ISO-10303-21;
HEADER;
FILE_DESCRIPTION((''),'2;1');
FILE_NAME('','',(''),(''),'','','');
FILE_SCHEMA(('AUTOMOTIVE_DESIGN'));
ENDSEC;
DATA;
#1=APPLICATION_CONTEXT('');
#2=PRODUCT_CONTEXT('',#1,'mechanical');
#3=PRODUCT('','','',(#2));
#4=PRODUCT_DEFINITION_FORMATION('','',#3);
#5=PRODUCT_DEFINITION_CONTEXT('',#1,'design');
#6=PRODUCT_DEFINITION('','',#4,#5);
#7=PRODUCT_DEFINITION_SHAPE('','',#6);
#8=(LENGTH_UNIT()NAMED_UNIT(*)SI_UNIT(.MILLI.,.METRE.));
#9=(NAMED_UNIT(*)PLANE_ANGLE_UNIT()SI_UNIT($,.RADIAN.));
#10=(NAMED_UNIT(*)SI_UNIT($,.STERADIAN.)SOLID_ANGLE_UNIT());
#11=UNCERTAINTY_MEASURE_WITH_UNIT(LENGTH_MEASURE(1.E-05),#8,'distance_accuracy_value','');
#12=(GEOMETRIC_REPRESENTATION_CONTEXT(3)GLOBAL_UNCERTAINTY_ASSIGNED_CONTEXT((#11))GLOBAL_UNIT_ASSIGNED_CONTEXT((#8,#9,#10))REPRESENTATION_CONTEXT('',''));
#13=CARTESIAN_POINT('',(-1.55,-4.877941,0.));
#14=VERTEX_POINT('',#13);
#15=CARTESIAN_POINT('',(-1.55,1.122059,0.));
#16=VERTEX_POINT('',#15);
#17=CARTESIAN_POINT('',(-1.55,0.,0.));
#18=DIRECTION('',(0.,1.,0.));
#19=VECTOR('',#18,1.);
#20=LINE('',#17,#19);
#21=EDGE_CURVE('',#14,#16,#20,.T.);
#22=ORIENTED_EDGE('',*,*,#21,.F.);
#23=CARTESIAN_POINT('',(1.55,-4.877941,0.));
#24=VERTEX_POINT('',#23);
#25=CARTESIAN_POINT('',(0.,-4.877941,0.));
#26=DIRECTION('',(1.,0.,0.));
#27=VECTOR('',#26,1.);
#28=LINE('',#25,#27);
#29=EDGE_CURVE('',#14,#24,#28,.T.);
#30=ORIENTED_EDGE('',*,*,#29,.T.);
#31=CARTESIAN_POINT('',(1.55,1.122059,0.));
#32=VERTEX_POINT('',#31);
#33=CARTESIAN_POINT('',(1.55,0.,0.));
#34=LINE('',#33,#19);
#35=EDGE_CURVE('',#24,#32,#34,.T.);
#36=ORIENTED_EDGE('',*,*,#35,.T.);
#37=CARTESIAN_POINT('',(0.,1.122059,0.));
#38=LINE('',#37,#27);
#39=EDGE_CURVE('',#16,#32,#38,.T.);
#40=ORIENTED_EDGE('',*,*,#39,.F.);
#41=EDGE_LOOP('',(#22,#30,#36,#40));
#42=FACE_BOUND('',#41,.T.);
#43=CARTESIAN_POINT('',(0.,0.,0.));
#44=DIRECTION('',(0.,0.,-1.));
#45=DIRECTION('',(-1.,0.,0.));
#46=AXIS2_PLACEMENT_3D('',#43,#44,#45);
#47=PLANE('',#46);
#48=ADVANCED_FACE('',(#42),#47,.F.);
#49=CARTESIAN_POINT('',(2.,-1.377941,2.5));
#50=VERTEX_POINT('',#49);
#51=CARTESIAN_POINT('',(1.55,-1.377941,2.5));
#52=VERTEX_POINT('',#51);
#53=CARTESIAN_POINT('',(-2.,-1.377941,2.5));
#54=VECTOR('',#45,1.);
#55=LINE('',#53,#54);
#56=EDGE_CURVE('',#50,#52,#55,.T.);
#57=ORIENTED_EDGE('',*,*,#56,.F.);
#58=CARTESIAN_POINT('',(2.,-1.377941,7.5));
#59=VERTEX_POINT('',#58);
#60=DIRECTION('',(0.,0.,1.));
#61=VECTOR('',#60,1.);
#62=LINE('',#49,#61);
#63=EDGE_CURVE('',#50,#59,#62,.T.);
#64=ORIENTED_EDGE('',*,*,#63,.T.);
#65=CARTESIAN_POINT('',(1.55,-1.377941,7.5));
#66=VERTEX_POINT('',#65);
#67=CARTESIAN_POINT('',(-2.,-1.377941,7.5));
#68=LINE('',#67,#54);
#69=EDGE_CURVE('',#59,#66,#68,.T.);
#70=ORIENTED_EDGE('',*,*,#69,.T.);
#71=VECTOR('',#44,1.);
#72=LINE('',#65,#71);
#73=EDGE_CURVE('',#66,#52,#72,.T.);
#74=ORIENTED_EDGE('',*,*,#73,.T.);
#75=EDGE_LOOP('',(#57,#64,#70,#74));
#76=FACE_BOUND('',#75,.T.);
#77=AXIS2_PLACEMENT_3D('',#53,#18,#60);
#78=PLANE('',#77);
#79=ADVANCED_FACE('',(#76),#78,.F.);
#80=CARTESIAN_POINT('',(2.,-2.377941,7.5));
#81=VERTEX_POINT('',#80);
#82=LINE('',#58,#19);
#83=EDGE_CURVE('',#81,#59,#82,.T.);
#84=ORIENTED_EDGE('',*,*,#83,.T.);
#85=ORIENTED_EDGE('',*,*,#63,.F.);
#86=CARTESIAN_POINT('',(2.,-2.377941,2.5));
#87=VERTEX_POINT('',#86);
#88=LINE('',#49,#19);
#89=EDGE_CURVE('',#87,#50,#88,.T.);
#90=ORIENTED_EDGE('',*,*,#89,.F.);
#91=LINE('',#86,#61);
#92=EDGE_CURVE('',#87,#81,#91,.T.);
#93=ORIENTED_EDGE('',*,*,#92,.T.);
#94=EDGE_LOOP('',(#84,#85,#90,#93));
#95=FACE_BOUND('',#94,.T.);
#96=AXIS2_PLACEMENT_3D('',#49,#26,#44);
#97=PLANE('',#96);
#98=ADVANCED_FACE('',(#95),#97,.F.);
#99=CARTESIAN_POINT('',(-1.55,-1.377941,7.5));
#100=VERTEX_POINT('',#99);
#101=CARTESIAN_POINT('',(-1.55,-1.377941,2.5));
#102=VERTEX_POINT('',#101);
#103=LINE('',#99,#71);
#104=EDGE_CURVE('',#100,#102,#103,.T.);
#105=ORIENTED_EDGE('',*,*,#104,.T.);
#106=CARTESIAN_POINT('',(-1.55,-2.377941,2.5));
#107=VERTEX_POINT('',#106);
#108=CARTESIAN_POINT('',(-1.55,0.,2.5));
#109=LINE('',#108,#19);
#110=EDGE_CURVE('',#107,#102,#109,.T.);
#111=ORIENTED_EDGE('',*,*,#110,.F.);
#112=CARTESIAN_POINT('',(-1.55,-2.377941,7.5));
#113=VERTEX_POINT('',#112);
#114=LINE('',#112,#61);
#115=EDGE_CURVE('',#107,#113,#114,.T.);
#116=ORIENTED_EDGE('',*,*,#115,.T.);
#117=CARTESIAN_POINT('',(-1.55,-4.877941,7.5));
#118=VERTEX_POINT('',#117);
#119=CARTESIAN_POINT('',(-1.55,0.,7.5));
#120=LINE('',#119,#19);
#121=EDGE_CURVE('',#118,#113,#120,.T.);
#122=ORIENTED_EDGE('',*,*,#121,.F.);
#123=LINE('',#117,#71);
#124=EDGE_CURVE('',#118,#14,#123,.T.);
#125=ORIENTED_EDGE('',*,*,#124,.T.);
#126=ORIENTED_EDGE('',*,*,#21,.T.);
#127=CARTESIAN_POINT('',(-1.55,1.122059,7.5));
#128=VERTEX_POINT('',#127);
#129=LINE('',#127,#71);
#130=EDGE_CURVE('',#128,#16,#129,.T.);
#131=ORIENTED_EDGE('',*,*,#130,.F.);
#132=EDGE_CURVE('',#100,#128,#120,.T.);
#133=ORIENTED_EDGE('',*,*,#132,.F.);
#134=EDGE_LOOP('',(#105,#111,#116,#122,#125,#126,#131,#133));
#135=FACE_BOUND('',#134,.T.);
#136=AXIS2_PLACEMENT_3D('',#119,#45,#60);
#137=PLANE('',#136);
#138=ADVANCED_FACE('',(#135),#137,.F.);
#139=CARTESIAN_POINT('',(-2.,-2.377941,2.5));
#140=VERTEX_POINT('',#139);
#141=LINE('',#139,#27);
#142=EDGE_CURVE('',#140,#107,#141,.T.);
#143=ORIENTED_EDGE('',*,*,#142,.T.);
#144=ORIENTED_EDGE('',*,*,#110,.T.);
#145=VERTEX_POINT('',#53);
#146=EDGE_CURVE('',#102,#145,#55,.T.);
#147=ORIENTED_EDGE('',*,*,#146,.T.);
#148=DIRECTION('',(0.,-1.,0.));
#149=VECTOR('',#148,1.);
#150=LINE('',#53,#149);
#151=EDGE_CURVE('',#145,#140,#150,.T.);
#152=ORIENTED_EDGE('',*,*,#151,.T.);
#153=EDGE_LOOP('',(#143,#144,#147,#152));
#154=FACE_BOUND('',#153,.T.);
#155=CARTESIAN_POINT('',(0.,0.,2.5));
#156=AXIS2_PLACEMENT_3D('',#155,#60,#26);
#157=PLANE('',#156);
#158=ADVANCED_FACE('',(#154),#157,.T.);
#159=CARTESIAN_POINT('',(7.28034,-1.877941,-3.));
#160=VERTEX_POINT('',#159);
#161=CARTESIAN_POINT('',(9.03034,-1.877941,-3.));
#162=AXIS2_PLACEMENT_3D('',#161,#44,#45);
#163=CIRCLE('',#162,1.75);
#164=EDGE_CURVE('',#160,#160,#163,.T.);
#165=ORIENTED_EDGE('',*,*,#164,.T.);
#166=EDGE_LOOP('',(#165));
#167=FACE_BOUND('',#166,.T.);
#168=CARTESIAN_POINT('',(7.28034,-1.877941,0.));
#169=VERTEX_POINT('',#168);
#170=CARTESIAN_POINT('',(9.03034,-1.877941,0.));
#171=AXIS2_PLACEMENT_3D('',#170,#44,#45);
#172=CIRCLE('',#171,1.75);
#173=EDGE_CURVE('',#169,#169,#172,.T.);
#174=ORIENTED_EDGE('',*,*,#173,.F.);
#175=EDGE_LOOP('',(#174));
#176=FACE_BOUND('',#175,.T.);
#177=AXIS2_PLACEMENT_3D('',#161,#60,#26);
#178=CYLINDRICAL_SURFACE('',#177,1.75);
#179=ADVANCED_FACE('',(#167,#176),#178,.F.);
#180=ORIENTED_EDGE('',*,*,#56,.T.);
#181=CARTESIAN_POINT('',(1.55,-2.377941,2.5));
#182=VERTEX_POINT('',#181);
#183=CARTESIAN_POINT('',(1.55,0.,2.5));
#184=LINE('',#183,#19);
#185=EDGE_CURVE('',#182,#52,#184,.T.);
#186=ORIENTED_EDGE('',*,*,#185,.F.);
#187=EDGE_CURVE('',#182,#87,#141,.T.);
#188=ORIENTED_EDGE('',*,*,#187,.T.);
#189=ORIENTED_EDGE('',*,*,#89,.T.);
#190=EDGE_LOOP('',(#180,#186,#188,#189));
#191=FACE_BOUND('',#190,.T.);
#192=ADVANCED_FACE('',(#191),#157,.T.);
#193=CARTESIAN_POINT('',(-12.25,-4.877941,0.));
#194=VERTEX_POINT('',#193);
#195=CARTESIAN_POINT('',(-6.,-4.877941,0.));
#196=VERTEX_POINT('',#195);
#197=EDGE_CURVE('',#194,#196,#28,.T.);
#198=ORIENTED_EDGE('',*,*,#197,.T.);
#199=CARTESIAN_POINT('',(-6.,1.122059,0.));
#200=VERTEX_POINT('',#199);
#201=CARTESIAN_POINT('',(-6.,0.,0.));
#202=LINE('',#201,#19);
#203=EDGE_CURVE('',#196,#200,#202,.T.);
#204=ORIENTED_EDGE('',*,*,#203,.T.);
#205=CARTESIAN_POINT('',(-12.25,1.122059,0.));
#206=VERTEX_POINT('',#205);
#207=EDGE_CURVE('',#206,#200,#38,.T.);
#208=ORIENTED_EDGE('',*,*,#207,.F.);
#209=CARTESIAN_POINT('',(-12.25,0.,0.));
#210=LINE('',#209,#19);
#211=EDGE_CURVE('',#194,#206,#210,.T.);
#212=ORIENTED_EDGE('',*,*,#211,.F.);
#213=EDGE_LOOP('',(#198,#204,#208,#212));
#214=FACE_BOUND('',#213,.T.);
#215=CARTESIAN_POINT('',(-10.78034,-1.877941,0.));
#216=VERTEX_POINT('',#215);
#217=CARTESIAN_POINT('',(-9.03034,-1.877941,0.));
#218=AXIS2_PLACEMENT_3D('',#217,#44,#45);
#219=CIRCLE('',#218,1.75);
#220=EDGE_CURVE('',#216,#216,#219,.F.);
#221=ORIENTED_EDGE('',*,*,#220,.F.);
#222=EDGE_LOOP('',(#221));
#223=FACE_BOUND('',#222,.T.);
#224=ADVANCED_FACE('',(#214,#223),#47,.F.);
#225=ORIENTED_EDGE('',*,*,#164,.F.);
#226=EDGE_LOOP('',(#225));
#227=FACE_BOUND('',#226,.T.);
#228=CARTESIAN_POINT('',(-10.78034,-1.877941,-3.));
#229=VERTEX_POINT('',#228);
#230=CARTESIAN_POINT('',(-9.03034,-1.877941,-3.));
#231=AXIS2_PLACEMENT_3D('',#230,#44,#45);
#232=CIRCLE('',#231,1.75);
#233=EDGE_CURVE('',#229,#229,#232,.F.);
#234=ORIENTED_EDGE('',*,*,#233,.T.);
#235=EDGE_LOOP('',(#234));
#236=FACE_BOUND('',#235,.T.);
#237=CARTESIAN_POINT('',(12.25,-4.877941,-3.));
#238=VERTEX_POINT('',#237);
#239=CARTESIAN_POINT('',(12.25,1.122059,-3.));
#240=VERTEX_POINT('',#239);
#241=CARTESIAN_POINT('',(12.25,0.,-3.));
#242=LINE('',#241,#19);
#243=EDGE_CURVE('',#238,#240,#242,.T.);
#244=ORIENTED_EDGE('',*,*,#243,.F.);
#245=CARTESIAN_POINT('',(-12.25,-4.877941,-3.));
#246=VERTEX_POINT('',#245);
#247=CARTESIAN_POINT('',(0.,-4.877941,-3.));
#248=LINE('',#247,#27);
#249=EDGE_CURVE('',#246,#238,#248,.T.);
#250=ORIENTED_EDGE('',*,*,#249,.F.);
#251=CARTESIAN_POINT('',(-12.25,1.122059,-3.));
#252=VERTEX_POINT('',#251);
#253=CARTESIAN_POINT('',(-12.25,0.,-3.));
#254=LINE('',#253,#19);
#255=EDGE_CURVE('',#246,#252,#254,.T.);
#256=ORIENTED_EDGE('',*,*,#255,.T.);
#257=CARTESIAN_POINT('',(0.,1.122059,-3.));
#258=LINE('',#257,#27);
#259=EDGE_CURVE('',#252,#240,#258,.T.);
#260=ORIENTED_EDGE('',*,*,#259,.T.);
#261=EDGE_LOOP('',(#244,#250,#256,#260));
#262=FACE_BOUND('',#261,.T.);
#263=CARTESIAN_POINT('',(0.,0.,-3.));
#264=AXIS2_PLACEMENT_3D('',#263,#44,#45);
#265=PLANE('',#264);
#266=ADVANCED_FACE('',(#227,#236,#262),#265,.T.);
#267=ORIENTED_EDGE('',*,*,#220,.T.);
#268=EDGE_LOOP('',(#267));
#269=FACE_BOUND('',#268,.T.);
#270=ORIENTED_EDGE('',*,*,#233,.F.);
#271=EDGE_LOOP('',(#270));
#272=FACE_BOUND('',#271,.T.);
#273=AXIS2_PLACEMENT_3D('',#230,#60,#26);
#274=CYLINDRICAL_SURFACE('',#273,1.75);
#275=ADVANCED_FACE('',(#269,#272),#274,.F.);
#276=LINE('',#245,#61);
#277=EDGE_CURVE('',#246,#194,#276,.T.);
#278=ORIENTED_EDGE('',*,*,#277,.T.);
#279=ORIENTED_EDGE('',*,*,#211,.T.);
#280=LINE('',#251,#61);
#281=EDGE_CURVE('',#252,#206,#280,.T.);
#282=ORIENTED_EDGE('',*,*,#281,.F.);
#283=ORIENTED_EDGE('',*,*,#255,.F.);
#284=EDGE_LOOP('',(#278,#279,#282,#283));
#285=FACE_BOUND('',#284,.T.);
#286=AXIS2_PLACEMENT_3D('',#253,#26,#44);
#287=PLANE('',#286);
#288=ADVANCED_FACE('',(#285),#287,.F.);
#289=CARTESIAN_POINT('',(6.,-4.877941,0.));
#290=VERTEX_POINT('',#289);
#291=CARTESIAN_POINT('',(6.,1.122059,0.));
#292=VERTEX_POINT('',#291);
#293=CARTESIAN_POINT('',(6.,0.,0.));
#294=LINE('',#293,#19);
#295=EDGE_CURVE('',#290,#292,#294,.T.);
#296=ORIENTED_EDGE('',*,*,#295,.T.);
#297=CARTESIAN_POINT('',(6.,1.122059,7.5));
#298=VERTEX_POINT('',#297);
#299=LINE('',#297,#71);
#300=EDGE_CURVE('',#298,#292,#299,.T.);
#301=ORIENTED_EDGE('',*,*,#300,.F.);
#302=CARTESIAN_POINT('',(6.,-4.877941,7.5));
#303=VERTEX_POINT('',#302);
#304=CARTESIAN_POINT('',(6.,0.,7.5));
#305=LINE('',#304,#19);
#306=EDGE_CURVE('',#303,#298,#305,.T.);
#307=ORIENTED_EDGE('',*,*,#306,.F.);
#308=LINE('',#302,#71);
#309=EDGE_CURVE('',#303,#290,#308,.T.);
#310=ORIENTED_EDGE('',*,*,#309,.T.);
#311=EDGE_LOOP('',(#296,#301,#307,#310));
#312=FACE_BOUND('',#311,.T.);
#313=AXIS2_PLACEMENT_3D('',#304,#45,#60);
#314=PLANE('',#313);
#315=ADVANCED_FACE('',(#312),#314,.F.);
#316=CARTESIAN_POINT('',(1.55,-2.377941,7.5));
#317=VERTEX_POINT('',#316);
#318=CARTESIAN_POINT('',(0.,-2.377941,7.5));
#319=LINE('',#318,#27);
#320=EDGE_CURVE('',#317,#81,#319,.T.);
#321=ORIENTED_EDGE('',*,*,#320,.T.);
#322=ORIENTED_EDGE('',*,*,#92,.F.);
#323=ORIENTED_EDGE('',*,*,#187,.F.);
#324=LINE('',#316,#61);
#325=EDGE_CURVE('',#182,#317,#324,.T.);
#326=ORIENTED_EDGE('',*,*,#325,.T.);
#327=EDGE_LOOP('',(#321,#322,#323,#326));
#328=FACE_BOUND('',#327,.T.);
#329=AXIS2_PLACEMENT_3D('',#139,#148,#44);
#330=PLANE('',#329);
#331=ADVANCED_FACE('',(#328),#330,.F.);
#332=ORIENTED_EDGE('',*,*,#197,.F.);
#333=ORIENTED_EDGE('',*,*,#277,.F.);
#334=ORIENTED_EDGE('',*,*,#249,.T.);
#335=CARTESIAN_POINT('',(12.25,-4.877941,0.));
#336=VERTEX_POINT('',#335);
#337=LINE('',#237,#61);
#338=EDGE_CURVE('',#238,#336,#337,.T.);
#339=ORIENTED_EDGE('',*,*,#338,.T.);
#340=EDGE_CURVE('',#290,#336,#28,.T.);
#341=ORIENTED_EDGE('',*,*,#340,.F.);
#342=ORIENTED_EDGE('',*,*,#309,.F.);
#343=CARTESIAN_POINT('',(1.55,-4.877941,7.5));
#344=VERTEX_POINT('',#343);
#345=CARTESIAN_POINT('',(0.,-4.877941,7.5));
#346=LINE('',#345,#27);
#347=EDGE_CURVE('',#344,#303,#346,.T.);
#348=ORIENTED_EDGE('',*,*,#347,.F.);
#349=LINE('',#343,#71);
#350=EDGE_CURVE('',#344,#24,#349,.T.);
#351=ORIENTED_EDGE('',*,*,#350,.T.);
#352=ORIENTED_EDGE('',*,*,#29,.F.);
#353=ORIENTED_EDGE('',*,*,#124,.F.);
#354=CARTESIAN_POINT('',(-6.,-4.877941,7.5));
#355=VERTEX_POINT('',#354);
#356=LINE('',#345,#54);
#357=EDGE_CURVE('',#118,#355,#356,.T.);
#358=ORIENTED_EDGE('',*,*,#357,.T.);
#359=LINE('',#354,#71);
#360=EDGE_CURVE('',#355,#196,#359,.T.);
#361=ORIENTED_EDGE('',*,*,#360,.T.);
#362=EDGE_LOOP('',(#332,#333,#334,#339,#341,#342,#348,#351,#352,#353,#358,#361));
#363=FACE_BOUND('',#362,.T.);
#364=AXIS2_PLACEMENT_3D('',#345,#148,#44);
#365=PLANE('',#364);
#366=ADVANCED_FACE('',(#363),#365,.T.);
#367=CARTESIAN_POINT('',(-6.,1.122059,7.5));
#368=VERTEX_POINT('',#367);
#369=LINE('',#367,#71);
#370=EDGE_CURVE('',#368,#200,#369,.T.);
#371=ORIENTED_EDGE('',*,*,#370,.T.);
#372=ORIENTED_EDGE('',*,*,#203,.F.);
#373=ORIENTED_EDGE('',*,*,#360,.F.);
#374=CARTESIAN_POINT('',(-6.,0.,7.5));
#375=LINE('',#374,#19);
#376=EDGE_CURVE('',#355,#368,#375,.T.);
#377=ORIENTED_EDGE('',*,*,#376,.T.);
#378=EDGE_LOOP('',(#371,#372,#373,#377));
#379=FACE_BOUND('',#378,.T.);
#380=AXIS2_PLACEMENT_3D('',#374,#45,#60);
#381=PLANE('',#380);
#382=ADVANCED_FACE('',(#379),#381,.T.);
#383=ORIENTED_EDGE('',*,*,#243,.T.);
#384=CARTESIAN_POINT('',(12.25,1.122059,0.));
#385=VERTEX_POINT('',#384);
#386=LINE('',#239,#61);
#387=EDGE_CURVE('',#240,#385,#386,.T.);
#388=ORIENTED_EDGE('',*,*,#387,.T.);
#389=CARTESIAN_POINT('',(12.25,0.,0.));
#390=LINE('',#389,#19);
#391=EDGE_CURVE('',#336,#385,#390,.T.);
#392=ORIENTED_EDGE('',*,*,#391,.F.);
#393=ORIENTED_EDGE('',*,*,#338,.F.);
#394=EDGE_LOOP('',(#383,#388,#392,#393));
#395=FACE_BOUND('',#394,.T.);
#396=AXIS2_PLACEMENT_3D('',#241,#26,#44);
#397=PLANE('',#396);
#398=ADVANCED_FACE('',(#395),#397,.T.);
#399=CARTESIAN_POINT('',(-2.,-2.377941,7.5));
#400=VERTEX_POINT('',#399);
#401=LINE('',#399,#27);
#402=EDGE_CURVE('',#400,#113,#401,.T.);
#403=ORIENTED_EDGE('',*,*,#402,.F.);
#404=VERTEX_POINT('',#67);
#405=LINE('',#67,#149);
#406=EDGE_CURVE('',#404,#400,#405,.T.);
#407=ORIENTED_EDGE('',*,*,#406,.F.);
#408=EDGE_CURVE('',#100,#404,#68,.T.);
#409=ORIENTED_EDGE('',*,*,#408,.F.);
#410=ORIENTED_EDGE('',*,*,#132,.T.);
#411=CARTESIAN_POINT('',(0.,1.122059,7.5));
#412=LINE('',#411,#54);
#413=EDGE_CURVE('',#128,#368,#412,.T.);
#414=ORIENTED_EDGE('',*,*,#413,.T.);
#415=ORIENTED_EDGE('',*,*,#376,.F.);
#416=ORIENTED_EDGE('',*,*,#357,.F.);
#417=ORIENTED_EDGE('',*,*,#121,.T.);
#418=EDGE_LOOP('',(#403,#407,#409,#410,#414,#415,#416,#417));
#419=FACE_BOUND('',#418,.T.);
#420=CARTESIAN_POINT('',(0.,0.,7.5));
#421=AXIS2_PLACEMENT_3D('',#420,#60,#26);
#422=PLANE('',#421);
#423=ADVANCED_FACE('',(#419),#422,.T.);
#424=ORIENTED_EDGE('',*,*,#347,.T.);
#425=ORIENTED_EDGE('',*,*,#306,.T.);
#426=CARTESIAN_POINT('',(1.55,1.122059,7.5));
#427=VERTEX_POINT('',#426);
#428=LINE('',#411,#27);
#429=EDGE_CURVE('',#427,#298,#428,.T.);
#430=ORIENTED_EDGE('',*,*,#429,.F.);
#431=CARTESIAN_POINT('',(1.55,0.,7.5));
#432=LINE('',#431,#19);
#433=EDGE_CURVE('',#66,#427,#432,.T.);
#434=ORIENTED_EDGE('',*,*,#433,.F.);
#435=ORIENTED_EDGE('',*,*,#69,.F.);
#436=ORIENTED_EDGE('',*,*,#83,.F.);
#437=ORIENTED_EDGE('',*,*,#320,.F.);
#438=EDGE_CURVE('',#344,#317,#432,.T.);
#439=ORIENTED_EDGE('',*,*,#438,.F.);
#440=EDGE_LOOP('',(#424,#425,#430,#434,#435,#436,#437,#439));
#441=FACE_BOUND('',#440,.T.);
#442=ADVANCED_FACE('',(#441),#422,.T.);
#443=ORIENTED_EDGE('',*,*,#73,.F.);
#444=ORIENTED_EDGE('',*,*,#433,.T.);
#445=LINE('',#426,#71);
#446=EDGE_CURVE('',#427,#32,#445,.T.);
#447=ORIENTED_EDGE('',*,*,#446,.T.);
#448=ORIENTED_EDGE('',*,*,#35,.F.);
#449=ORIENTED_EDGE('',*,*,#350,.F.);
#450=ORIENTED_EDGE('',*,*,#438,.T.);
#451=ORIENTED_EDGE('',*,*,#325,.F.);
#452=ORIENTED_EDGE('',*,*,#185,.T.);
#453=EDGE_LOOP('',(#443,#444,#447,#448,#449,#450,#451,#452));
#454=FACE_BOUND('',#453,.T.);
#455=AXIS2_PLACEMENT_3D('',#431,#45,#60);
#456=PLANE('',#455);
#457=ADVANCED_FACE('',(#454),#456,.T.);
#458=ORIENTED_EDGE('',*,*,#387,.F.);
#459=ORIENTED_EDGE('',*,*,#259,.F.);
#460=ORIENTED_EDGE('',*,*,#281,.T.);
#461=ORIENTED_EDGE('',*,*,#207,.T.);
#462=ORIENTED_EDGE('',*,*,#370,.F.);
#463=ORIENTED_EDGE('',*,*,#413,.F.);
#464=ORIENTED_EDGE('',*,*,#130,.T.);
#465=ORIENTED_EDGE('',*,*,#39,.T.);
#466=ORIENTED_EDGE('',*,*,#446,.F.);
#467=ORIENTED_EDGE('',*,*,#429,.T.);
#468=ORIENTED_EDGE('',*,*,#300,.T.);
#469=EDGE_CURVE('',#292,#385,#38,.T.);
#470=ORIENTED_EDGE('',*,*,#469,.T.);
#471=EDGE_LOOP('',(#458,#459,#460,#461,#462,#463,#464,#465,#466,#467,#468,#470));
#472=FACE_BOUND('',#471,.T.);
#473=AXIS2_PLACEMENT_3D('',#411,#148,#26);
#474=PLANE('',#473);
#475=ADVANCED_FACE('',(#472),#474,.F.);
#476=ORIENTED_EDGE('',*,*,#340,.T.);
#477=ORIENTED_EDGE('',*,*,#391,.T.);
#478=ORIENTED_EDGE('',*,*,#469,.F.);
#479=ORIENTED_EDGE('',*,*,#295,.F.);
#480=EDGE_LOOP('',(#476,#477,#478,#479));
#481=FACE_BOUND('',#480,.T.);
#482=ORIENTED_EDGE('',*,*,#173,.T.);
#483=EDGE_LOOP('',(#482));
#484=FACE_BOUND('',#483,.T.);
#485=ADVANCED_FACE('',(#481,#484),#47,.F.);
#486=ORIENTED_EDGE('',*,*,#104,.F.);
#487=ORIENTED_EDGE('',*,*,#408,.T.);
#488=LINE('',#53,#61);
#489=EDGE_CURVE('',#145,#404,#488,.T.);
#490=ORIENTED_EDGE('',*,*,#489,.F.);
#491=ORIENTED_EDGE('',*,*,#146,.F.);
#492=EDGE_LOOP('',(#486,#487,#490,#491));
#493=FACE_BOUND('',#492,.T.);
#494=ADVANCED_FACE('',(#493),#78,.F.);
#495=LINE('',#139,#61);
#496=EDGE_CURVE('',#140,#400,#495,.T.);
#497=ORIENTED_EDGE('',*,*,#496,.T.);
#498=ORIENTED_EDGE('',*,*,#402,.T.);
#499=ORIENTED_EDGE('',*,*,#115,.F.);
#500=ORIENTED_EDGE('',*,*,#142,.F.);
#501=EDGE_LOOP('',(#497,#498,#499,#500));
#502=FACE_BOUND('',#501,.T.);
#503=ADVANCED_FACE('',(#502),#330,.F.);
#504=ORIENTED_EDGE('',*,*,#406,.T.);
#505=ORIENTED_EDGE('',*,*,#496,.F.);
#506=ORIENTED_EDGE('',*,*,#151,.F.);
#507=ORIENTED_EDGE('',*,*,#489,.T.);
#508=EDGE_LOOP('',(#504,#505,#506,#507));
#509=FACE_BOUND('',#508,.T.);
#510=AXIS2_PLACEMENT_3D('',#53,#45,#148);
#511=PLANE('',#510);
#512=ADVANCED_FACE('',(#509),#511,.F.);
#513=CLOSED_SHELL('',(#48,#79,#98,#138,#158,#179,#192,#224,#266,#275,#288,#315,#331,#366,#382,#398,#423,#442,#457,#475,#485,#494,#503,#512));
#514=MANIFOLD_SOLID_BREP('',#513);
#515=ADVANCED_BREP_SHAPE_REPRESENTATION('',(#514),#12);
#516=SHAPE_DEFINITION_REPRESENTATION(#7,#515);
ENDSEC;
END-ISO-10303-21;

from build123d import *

# Parameters (mm, degrees)
SKETCH1_W             = 4.45
SKETCH1_H             = 6
BOSS_EXTRUDE1_DEPTH   = 7.5
BOSS_EXTRUDE1_2_DEPTH = 7.5
SKETCH2_W             = 6.25
SKETCH2_H             = 6
SKETCH2_R             = 1.75
SKETCH2_W_2           = 4.260679938
SKETCH2_W_3           = 0.189320062
SKETCH2_W_4           = 7.55
BOSS_EXTRUDE2_DEPTH   = 3
SKETCH3_W             = 4
SKETCH3_H             = 1
CUT_EXTRUDE1_DEPTH    = 5


with BuildPart() as part:
    # Sketch1 → Boss-Extrude1 (new body)
    with BuildSketch(Plane.XY):
        with Locations((-3.775, -1.877941176)):
            Rectangle(SKETCH1_W, SKETCH1_H)
    extrude(amount=BOSS_EXTRUDE1_DEPTH)



with BuildPart() as body_2:
    # Sketch1 → Boss-Extrude1 2 (new body)
    with BuildSketch(Plane.XY):
        with Locations((3.775, -1.877941176)):
            Rectangle(SKETCH1_W, SKETCH1_H)
    extrude(amount=BOSS_EXTRUDE1_2_DEPTH)


with BuildPart() as part_1:
    add(part.part)

    add(body_2.part)  # Boss-Extrude2 merges body 2
    # Sketch2 → Boss-Extrude2 (add)
    # profile 1 of 5: a face of its own
    with BuildSketch(Plane(origin=(0, 0, 0), x_dir=(-1, 0, 0), z_dir=(0, 0, -1))):
        with Locations((-9.125, -1.877941176)):
            Rectangle(SKETCH2_W, SKETCH2_H)
        with Locations((-9.030339969, -1.877941176)):
            Circle(SKETCH2_R, mode=Mode.SUBTRACT)
    # profile 2 of 5: a face of its own
    with BuildSketch(Plane(origin=(0, 0, 0), x_dir=(-1, 0, 0), z_dir=(0, 0, -1))):
        with Locations((-3.680339969, -1.877941176)):
            Rectangle(SKETCH2_W_2, SKETCH2_H)
    # profile 3 of 5: a face of its own
    with BuildSketch(Plane(origin=(0, 0, 0), x_dir=(-1, 0, 0), z_dir=(0, 0, -1))):
        with Locations((-5.905339969, -1.877941176)):
            Rectangle(SKETCH2_W_3, SKETCH2_H)
    # profile 4 of 5: a face of its own
    with BuildSketch(Plane(origin=(0, 0, 0), x_dir=(-1, 0, 0), z_dir=(0, 0, -1))):
        with Locations((2.225, -1.877941176)):
            Rectangle(SKETCH2_W_4, SKETCH2_H)
    # profile 5 of 5: a face of its own
    with BuildSketch(Plane(origin=(0, 0, 0), x_dir=(-1, 0, 0), z_dir=(0, 0, -1))):
        with Locations((9.125, -1.877941176)):
            Rectangle(SKETCH2_W, SKETCH2_H)
        with Locations((9.030339969, -1.877941176)):
            Circle(SKETCH2_R, mode=Mode.SUBTRACT)
    extrude(amount=BOSS_EXTRUDE2_DEPTH)

    # Sketch3 → Cut-Extrude1 (cut)
    with BuildSketch(Plane.XY.offset(7.5)):
        with Locations((0, -1.877941176)):
            Rectangle(SKETCH3_W, SKETCH3_H)
    extrude(amount=-CUT_EXTRUDE1_DEPTH, mode=Mode.SUBTRACT)


solid = part_1.part
